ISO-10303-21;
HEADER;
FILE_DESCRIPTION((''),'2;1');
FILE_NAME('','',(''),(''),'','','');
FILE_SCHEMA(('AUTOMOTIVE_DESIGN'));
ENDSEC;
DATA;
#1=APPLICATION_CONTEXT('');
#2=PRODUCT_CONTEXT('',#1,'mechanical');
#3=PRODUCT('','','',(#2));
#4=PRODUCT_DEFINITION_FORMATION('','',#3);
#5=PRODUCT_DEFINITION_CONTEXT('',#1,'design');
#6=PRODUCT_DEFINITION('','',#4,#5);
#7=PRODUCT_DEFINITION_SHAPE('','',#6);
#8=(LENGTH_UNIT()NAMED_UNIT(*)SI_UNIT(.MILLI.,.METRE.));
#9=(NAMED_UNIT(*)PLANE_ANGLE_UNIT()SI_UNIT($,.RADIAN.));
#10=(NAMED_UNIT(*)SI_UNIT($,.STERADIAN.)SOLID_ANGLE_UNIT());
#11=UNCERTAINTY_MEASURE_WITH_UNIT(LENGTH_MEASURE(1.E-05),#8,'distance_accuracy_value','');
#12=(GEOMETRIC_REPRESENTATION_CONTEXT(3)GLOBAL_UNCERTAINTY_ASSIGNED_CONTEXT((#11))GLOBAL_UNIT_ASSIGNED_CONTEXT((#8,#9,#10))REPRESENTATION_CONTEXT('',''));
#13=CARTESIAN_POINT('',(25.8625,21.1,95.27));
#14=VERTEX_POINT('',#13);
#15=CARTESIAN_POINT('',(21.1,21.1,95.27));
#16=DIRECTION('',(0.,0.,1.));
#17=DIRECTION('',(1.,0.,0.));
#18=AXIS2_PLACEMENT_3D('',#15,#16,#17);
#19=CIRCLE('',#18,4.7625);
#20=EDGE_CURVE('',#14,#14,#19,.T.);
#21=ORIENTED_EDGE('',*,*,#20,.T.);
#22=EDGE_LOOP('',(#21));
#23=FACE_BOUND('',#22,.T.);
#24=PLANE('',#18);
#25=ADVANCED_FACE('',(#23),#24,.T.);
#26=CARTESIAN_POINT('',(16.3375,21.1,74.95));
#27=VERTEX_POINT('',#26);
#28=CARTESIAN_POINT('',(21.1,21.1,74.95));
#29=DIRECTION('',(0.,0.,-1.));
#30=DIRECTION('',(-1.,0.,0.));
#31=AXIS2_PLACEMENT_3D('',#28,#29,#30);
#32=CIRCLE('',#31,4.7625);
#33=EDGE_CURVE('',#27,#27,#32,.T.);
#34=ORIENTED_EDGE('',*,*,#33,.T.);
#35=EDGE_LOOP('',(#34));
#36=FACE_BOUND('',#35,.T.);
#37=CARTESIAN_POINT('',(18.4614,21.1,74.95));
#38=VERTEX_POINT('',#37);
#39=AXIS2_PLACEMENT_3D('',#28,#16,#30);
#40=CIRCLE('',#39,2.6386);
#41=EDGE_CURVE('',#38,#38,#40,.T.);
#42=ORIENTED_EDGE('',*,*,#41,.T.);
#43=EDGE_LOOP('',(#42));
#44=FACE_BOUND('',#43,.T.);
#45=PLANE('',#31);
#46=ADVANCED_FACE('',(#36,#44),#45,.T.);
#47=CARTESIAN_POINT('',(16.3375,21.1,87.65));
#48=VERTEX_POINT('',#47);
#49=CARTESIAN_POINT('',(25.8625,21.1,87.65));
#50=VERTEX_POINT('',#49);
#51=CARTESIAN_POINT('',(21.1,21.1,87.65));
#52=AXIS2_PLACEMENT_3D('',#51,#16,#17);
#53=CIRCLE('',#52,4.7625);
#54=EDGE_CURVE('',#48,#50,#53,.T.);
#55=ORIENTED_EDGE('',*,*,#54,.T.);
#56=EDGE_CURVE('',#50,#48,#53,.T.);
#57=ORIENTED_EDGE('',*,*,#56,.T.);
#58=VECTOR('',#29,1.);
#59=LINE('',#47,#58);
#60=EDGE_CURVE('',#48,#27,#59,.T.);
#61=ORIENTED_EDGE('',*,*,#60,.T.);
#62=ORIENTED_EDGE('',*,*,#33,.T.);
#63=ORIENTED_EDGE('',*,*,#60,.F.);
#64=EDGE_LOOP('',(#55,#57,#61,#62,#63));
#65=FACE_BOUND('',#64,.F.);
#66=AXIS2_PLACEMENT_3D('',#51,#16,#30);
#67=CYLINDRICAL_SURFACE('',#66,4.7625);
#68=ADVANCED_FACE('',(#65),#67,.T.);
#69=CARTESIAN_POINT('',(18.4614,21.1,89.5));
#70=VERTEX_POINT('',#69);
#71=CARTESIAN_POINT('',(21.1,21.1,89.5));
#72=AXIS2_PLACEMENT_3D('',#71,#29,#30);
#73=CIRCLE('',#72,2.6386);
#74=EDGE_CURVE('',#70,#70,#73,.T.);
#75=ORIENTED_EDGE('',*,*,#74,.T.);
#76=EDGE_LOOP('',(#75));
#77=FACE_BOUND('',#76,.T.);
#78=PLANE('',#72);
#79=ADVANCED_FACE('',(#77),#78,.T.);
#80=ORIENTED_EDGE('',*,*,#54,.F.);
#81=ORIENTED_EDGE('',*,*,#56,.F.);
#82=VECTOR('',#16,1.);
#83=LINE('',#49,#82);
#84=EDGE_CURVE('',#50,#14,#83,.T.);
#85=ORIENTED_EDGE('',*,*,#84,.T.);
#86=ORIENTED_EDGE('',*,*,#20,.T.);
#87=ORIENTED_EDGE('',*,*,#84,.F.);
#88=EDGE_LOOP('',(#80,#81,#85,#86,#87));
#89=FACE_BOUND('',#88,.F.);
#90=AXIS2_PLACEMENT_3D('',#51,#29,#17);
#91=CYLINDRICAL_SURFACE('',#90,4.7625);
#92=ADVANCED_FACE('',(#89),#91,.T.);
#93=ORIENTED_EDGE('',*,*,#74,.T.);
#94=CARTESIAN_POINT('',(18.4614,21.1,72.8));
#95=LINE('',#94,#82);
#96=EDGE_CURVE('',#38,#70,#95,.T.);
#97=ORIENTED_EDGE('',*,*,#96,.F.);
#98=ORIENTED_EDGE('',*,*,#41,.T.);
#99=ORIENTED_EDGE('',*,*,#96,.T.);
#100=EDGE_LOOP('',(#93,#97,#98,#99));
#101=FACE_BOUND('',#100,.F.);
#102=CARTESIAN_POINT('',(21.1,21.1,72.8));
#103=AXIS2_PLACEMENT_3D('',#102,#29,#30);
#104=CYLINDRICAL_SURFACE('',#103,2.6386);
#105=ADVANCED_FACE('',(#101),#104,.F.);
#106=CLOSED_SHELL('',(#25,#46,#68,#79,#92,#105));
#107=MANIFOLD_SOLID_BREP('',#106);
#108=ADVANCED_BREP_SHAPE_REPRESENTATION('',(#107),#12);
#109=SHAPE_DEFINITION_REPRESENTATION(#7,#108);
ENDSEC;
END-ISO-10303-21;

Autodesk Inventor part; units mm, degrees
ref_plane "YZ Plane" through (0, 0, 0) normal (1, 0, 0) x (0, 1, 0)
ref_plane "XZ Plane" through (0, 0, 0) normal (0, 1, 0) x (-1, 0, 0)
ref_plane "XY Plane" through (0, 0, 0) normal (0, 0, 1) x (1, 0, 0)
sketch "Sketch1" plane through (0, 0, 0) normal (0, 0, 1) x (1, 0, 0)
  line L0 (0, 37.2) -> (5, 42.2)
  line L1 (37.2, 42.2) -> (42.2, 37.2)
  line L2 (42.2, 5) -> (37.2, 0)
  line L3 (5, 0) -> (0, 5)
  line L4 (0, 37.2) -> (0, 5)
  line L5 (37.2, 42.2) -> (5, 42.2)
  line L6 (42.2, 5) -> (42.2, 37.2)
  line L7 (5, 0) -> (37.2, 0)
  line L8 (0, 5) -> (0, 0)
  circle A0 centre (21.1, 21.1) radius 2.5
  circle A1 centre (5.6, 36.6) radius 1.5
  circle A2 centre (36.6, 36.6) radius 1.5
  circle A3 centre (36.6, 5.6) radius 1.5
  circle A4 centre (5.6, 5.6) radius 1.5
  dimension "d8" = 5
  dimension "d9" = 5
  dimension "d10" = 5
  dimension "d11" = 21.1
  dimension "d12" = 21.1
  dimension "d13" = 3
  dimension "d14" = 3
  dimension "d15" = 3
  dimension "d16" = 3
  dimension "d17" = 31
  dimension "d18" = 31
  dimension "d19" = 31
  dimension "d20" = 31
  dimension "d21" = 5.6
  dimension "d22" = 5.6
  dimension "d43" = 5.6
  dimension "d44" = 5.6
  dimension "d45" = 5.6
  dimension "d46" = 5.6
  dimension "d47" = 42.2
extrude "Extrusion1" add sketch "Sketch1" along normal blind 9.8
sketch "Sketch2" plane through (0, 0, 9.8) normal (0, 0, 1) x (1, 0, 0)
  circle A0 centre (21.1, 21.1) radius 2.5 projected
  circle A1 centre (5.6, 5.6) radius 1.5 projected
  circle A2 centre (36.6, 5.6) radius 1.5 projected
  circle A3 centre (36.6, 36.6) radius 1.5 projected
  circle A4 centre (5.6, 36.6) radius 1.5 projected
  line L0 (5, 42.2) -> (0, 37.2) projected
  line L1 (0, 37.2) -> (0, 5) projected
  line L2 (0, 5) -> (5, 0) projected
  line L3 (5, 0) -> (37.2, 0) projected
  line L4 (37.2, 0) -> (42.2, 5) projected
  line L5 (42.2, 5) -> (42.2, 37.2) projected
  line L6 (42.2, 37.2) -> (37.2, 42.2) projected
  line L7 (37.2, 42.2) -> (5, 42.2) projected
  point P0 (0, 0)
fillet "Fillet1" radius 0.25 8 edges at (21.1, 42.2, 9.8) (39.7, 39.7, 9.8) (42.2, 21.1, 9.8) (39.7, 2.5, 9.8) (21.1, 0, 9.8) (2.5, 2.5, 9.8) (0, 21.1, 9.8) (2.5, 39.7, 9.8)
extrude "Extrusion2" add sketch "Sketch2" along normal blind 31
sketch "Sketch3" plane through (0, 0, 40.8) normal (0, 0, 1) x (1, 0, 0)
  circle A0 centre (21.1, 21.1) radius 2.5 projected
  circle A1 centre (5.6, 36.6) radius 1.5 projected
  circle A2 centre (36.6, 36.6) radius 1.5 projected
  circle A3 centre (36.6, 5.6) radius 1.5 projected
  circle A4 centre (5.6, 5.6) radius 1.5 projected
  line L0 (5, 42.2) -> (0, 37.2) projected
  line L1 (0, 37.2) -> (0, 5) projected
  line L2 (0, 5) -> (5, 0) projected
  line L3 (5, 0) -> (37.2, 0) projected
  line L4 (37.2, 0) -> (42.2, 5) projected
  line L5 (42.2, 5) -> (42.2, 37.2) projected
  line L6 (42.2, 37.2) -> (37.2, 42.2) projected
  line L7 (37.2, 42.2) -> (5, 42.2) projected
  point P0 (0, 0)
fillet "Fillet2" radius 0.25 8 edges at (21.1, 42.2, 40.8) (39.7, 39.7, 40.8) (42.2, 21.1, 40.8) (39.7, 2.5, 40.8) (21.1, 0, 40.8) (2.5, 2.5, 40.8) (0, 21.1, 40.8) (2.5, 39.7, 40.8)
extrude "Extrusion3" add sketch "Sketch3" along normal blind 7.75
sketch "Sketch4" plane through (0, 0, 48.55) normal (0, 0, 1) x (1, 0, 0)
  circle A0 centre (21.1, 21.1) radius 2.5 projected
  circle A1 centre (21.1, 21.1) radius 16
  point P0 (0, 0)
  dimension "d31" = 32
extrude "Extrusion4" cut sketch "Sketch4" against normal blind 0.6
sketch "Sketch5" plane through (21.1, 21.1, 47.95) normal (0, 0, 1) x (1, 0, 0)
  circle A0 centre (0, 0) radius 2.5 projected
  circle A1 centre (0, 0) radius 16 projected
  circle A2 centre (0, 0) radius 11
  point P0 (-21.1, -21.1)
  dimension "d35" = 22
extrude "Extrusion5" add sketch "Sketch5" along normal blind 2.2 contours A2
fillet "Fillet3" radius 0.5 1 edges at (10.1, 21.1, 50.15)
sketch "Sketch6" plane through (21.1, 21.1, 50.15) normal (0, 0, 1) x (1, 0, 0)
  circle A0 centre (0, 0) radius 2.5 projected
  point P0 (-21.1, -21.1)
extrude "Extrusion6" add sketch "Sketch6" along normal blind 22.5
fillet "Fillet4" radius 0.5 1 edges at (18.6, 21.1, 72.65)
sketch "Sketch7" plane through (21.1, 21.1, 72.65) normal (0, 0, 1) x (1, 0, 0)
  circle A0 centre (0, 0) radius 2.6386
  point P0 (-21.1, -21.1)
extrude "Extrusion7" add sketch "Sketch7" along normal blind 15
sketch "Sketch8" plane through (21.1, 21.1, 87.65) normal (0, 0, 1) x (1, 0, 0)
  circle A0 centre (0, 0) radius 2 projected
  circle A1 centre (0, 0) radius 4.7625
  point P0 (-21.1, -21.1)
  dimension "d50" = 9.525
extrude "Extrusion8" add sketch "Sketch8" along normal blind 12.7 contours A0 | A1
sketch "Sketch9" plane through (21.1, 21.1, 87.65) normal (0, 0, -1) x (-1, 0, 0)
  circle A0 centre (0, 0) radius 4.7625 projected
  circle A1 centre (0, 0) radius 2.6386 projected
  point P0 (21.1, -21.1)
extrude "Extrusion9" add sketch "Sketch9" along normal blind 12.7
sketch "Sketch10" plane through (0, 0, 0) normal (0, 0, -1) x (-1, 0, 0)
  circle A0 centre (-21.1, 21.1) radius 2.5 projected
  circle A1 centre (-5.6, 5.6) radius 1.5 projected
  circle A2 centre (-36.6, 5.6) radius 1.5 projected
  circle A3 centre (-36.6, 36.6) radius 1.5 projected
  circle A4 centre (-5.6, 36.6) radius 1.5 projected
  line L0 (0, 37.2) -> (-5, 42.2) projected
  line L1 (-5, 42.2) -> (-37.2, 42.2) projected
  line L2 (-37.2, 42.2) -> (-42.2, 37.2) projected
  line L3 (-42.2, 37.2) -> (-42.2, 5) projected
  line L4 (-42.2, 5) -> (-37.2, 0) projected
  line L5 (-37.2, 0) -> (-5, 0) projected
  line L6 (-5, 0) -> (0, 5) projected
  line L7 (0, 5) -> (0, 37.2) projected
  circle A5 centre (-21.1, 21.1) radius 2 projected
  circle A6 centre (-21.1, 21.1) radius 2.5 projected
  circle A7 centre (-21.1, 21.1) radius 2.5 projected
  point P0 (0, 0)
extrude "Extrusion10" cut sketch "Sketch10" against normal blind 72.8 contours A0 | A1 | A2 | A3 | A4 | L7 L6 L5 L4 L3 L2 L1 L0 | A5
sketch "Sketch12" plane through (21.1, 21.1, 72.8) normal (0, 0, -1) x (-1, 0, 0)
  circle A0 centre (0, 0) radius 2.6386 projected
  point P0 (21.1, -21.1)
extrude "Extrusion11" cut sketch "Sketch12" against normal blind 16.7
sketch "Sketch13" plane through (21.1, 21.1, 100.35) normal (0, 0, 1) x (1, 0, 0)
  circle A0 centre (0, 0) radius 4.7625 projected
  point P0 (-21.1, -21.1)
extrude "Extrusion12" cut sketch "Sketch13" against normal blind 5.08
properties part number "Nema 17 adapter"
